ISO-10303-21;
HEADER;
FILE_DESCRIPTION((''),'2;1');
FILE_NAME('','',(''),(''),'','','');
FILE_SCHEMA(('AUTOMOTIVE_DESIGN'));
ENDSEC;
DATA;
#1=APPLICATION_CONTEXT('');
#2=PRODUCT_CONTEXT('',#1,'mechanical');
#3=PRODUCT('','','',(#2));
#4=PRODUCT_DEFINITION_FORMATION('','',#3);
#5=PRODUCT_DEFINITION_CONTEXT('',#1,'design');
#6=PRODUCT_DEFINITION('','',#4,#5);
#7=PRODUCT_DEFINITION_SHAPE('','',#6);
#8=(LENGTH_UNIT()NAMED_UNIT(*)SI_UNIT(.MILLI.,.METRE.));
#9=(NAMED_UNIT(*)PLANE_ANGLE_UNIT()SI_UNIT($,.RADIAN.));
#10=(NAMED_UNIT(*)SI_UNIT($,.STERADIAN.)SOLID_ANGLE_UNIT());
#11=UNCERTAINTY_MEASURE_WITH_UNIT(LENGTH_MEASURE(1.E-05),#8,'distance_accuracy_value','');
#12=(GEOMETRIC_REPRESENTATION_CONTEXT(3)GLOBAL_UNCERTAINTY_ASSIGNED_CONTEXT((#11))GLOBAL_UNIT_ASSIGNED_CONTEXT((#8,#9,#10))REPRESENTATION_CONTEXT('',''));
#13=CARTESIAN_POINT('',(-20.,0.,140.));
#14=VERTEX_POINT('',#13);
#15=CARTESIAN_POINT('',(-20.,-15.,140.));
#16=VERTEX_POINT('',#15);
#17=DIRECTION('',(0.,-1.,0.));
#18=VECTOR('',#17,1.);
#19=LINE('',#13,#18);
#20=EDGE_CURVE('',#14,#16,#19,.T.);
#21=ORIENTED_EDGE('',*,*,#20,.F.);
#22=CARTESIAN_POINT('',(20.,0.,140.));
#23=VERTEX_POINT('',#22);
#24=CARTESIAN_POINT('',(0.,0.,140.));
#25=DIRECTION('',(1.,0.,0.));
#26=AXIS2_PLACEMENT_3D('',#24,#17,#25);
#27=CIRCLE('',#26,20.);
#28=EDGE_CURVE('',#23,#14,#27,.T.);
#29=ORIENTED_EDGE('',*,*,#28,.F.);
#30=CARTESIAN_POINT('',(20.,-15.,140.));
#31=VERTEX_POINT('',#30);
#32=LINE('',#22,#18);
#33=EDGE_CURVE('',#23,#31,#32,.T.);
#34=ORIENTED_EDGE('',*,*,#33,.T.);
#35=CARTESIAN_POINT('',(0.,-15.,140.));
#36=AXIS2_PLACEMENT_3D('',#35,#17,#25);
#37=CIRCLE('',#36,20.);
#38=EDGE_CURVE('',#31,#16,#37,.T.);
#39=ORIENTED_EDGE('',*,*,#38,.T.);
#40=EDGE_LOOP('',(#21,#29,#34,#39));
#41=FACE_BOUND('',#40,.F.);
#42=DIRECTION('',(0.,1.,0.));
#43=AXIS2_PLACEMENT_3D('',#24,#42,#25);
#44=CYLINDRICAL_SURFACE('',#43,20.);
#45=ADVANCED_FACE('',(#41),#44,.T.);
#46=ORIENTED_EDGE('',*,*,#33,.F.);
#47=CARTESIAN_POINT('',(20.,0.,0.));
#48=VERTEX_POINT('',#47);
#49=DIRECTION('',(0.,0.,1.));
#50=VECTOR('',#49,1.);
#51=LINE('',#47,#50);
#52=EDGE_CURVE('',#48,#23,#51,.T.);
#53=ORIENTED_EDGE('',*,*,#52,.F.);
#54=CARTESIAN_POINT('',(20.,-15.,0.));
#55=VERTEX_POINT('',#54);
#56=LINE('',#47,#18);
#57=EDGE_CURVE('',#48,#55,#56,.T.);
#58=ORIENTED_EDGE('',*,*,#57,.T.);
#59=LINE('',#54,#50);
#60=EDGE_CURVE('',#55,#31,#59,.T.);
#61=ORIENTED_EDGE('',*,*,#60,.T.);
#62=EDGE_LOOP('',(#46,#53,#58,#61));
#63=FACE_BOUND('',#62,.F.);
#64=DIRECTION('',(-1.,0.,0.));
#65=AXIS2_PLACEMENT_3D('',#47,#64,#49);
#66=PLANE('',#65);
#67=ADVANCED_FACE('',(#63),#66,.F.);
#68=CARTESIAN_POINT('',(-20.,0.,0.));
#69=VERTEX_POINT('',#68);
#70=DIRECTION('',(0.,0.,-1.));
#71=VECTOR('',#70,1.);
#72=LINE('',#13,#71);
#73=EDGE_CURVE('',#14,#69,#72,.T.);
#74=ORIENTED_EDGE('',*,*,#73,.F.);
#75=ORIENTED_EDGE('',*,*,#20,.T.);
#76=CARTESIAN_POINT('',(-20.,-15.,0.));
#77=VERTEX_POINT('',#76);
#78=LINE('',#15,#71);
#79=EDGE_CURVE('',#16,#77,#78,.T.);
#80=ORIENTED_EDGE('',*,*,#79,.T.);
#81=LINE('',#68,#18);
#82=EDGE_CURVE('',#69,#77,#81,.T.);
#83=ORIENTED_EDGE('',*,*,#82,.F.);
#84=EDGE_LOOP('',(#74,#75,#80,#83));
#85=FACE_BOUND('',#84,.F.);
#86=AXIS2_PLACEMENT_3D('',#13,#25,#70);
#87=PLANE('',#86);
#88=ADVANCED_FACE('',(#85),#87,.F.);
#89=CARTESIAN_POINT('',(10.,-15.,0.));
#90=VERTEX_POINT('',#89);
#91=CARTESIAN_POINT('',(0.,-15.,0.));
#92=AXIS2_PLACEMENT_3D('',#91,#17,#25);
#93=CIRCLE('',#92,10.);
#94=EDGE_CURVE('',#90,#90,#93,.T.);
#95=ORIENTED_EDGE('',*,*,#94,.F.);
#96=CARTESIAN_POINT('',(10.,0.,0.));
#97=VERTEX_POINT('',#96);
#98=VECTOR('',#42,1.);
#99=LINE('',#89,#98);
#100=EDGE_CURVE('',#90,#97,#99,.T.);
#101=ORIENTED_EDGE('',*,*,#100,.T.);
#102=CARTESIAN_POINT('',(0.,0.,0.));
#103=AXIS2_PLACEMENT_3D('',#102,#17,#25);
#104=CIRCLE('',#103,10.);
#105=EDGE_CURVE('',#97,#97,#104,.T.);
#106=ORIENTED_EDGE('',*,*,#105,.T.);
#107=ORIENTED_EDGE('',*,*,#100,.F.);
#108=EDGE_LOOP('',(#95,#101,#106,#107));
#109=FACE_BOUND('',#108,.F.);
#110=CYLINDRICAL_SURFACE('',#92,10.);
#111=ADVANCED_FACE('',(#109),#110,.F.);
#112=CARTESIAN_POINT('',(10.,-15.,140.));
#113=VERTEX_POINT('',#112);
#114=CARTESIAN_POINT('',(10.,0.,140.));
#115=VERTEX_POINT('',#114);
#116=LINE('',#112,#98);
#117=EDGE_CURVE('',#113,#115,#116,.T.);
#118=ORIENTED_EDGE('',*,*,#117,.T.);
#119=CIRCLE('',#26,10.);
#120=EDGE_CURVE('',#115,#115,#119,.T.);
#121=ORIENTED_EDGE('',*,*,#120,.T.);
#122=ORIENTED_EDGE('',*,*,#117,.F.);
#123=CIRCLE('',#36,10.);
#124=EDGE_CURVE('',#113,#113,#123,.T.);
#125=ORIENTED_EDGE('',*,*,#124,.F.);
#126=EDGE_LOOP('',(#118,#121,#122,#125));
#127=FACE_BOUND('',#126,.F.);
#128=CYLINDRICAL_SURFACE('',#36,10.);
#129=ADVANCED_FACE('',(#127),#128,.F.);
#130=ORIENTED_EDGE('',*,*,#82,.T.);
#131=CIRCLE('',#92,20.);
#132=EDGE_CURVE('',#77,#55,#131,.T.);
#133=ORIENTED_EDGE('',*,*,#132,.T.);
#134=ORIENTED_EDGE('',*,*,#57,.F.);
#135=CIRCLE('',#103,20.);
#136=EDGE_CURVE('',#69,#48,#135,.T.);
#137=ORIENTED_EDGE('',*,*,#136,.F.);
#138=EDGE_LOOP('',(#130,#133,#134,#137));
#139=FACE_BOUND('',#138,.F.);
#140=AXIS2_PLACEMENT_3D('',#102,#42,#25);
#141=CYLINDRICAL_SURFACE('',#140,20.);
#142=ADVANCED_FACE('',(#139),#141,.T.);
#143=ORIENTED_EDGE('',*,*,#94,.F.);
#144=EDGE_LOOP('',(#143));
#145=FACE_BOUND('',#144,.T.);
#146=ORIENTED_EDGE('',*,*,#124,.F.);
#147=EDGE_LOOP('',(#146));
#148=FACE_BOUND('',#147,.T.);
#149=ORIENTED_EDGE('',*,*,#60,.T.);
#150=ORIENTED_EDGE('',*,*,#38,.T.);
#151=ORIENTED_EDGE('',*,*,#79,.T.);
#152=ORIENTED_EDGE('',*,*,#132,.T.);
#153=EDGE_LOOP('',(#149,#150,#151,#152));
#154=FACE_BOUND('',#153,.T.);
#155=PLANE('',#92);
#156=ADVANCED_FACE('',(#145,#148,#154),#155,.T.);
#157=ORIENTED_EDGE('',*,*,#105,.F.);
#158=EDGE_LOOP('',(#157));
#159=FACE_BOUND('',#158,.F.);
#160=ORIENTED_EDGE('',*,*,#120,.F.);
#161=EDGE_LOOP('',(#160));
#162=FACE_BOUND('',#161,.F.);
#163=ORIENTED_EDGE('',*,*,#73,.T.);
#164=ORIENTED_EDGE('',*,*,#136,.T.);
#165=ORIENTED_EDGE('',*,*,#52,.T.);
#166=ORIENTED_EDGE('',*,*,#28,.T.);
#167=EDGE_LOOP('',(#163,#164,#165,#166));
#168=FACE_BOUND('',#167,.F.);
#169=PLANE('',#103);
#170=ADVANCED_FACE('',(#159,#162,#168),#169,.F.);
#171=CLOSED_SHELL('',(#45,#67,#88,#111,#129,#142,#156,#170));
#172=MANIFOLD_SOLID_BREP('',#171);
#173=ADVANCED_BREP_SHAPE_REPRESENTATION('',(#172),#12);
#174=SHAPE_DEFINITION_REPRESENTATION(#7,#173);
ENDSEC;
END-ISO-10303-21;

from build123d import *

# Parameters (mm, degrees)
F1_DEPTH = 15
F2_R     = 10
F3_DEPTH = 25


with BuildPart() as f1:
    # F0 (on Front) → F1 (new body)
    with BuildSketch(Plane.XZ):
        with BuildLine():
            ThreePointArc((-20, 0), (0, -20), (20, 0))
            ThreePointArc((20, 0), (0, 20), (-20, 0))
        make_face()
        with BuildLine():
            ThreePointArc((-20, 0), (0, 20), (20, 0))
            Line((20, 0), (20, 140))
            ThreePointArc((20, 140), (0, 120), (-20, 140))
            Line((-20, 140), (-20, 0))
        make_face()
        with BuildLine():
            ThreePointArc((-20, 140), (0, 120), (20, 140))
            ThreePointArc((20, 140), (0, 160), (-20, 140))
        make_face()
    extrude(amount=F1_DEPTH)

    # F2 (on face) → F3 (cut)
    with BuildSketch(Plane.XZ.offset(15)):
        with Locations((0, 140)):
            Circle(F2_R)
        Circle(F2_R)
    extrude(amount=-F3_DEPTH, mode=Mode.SUBTRACT)


solid = f1.part
